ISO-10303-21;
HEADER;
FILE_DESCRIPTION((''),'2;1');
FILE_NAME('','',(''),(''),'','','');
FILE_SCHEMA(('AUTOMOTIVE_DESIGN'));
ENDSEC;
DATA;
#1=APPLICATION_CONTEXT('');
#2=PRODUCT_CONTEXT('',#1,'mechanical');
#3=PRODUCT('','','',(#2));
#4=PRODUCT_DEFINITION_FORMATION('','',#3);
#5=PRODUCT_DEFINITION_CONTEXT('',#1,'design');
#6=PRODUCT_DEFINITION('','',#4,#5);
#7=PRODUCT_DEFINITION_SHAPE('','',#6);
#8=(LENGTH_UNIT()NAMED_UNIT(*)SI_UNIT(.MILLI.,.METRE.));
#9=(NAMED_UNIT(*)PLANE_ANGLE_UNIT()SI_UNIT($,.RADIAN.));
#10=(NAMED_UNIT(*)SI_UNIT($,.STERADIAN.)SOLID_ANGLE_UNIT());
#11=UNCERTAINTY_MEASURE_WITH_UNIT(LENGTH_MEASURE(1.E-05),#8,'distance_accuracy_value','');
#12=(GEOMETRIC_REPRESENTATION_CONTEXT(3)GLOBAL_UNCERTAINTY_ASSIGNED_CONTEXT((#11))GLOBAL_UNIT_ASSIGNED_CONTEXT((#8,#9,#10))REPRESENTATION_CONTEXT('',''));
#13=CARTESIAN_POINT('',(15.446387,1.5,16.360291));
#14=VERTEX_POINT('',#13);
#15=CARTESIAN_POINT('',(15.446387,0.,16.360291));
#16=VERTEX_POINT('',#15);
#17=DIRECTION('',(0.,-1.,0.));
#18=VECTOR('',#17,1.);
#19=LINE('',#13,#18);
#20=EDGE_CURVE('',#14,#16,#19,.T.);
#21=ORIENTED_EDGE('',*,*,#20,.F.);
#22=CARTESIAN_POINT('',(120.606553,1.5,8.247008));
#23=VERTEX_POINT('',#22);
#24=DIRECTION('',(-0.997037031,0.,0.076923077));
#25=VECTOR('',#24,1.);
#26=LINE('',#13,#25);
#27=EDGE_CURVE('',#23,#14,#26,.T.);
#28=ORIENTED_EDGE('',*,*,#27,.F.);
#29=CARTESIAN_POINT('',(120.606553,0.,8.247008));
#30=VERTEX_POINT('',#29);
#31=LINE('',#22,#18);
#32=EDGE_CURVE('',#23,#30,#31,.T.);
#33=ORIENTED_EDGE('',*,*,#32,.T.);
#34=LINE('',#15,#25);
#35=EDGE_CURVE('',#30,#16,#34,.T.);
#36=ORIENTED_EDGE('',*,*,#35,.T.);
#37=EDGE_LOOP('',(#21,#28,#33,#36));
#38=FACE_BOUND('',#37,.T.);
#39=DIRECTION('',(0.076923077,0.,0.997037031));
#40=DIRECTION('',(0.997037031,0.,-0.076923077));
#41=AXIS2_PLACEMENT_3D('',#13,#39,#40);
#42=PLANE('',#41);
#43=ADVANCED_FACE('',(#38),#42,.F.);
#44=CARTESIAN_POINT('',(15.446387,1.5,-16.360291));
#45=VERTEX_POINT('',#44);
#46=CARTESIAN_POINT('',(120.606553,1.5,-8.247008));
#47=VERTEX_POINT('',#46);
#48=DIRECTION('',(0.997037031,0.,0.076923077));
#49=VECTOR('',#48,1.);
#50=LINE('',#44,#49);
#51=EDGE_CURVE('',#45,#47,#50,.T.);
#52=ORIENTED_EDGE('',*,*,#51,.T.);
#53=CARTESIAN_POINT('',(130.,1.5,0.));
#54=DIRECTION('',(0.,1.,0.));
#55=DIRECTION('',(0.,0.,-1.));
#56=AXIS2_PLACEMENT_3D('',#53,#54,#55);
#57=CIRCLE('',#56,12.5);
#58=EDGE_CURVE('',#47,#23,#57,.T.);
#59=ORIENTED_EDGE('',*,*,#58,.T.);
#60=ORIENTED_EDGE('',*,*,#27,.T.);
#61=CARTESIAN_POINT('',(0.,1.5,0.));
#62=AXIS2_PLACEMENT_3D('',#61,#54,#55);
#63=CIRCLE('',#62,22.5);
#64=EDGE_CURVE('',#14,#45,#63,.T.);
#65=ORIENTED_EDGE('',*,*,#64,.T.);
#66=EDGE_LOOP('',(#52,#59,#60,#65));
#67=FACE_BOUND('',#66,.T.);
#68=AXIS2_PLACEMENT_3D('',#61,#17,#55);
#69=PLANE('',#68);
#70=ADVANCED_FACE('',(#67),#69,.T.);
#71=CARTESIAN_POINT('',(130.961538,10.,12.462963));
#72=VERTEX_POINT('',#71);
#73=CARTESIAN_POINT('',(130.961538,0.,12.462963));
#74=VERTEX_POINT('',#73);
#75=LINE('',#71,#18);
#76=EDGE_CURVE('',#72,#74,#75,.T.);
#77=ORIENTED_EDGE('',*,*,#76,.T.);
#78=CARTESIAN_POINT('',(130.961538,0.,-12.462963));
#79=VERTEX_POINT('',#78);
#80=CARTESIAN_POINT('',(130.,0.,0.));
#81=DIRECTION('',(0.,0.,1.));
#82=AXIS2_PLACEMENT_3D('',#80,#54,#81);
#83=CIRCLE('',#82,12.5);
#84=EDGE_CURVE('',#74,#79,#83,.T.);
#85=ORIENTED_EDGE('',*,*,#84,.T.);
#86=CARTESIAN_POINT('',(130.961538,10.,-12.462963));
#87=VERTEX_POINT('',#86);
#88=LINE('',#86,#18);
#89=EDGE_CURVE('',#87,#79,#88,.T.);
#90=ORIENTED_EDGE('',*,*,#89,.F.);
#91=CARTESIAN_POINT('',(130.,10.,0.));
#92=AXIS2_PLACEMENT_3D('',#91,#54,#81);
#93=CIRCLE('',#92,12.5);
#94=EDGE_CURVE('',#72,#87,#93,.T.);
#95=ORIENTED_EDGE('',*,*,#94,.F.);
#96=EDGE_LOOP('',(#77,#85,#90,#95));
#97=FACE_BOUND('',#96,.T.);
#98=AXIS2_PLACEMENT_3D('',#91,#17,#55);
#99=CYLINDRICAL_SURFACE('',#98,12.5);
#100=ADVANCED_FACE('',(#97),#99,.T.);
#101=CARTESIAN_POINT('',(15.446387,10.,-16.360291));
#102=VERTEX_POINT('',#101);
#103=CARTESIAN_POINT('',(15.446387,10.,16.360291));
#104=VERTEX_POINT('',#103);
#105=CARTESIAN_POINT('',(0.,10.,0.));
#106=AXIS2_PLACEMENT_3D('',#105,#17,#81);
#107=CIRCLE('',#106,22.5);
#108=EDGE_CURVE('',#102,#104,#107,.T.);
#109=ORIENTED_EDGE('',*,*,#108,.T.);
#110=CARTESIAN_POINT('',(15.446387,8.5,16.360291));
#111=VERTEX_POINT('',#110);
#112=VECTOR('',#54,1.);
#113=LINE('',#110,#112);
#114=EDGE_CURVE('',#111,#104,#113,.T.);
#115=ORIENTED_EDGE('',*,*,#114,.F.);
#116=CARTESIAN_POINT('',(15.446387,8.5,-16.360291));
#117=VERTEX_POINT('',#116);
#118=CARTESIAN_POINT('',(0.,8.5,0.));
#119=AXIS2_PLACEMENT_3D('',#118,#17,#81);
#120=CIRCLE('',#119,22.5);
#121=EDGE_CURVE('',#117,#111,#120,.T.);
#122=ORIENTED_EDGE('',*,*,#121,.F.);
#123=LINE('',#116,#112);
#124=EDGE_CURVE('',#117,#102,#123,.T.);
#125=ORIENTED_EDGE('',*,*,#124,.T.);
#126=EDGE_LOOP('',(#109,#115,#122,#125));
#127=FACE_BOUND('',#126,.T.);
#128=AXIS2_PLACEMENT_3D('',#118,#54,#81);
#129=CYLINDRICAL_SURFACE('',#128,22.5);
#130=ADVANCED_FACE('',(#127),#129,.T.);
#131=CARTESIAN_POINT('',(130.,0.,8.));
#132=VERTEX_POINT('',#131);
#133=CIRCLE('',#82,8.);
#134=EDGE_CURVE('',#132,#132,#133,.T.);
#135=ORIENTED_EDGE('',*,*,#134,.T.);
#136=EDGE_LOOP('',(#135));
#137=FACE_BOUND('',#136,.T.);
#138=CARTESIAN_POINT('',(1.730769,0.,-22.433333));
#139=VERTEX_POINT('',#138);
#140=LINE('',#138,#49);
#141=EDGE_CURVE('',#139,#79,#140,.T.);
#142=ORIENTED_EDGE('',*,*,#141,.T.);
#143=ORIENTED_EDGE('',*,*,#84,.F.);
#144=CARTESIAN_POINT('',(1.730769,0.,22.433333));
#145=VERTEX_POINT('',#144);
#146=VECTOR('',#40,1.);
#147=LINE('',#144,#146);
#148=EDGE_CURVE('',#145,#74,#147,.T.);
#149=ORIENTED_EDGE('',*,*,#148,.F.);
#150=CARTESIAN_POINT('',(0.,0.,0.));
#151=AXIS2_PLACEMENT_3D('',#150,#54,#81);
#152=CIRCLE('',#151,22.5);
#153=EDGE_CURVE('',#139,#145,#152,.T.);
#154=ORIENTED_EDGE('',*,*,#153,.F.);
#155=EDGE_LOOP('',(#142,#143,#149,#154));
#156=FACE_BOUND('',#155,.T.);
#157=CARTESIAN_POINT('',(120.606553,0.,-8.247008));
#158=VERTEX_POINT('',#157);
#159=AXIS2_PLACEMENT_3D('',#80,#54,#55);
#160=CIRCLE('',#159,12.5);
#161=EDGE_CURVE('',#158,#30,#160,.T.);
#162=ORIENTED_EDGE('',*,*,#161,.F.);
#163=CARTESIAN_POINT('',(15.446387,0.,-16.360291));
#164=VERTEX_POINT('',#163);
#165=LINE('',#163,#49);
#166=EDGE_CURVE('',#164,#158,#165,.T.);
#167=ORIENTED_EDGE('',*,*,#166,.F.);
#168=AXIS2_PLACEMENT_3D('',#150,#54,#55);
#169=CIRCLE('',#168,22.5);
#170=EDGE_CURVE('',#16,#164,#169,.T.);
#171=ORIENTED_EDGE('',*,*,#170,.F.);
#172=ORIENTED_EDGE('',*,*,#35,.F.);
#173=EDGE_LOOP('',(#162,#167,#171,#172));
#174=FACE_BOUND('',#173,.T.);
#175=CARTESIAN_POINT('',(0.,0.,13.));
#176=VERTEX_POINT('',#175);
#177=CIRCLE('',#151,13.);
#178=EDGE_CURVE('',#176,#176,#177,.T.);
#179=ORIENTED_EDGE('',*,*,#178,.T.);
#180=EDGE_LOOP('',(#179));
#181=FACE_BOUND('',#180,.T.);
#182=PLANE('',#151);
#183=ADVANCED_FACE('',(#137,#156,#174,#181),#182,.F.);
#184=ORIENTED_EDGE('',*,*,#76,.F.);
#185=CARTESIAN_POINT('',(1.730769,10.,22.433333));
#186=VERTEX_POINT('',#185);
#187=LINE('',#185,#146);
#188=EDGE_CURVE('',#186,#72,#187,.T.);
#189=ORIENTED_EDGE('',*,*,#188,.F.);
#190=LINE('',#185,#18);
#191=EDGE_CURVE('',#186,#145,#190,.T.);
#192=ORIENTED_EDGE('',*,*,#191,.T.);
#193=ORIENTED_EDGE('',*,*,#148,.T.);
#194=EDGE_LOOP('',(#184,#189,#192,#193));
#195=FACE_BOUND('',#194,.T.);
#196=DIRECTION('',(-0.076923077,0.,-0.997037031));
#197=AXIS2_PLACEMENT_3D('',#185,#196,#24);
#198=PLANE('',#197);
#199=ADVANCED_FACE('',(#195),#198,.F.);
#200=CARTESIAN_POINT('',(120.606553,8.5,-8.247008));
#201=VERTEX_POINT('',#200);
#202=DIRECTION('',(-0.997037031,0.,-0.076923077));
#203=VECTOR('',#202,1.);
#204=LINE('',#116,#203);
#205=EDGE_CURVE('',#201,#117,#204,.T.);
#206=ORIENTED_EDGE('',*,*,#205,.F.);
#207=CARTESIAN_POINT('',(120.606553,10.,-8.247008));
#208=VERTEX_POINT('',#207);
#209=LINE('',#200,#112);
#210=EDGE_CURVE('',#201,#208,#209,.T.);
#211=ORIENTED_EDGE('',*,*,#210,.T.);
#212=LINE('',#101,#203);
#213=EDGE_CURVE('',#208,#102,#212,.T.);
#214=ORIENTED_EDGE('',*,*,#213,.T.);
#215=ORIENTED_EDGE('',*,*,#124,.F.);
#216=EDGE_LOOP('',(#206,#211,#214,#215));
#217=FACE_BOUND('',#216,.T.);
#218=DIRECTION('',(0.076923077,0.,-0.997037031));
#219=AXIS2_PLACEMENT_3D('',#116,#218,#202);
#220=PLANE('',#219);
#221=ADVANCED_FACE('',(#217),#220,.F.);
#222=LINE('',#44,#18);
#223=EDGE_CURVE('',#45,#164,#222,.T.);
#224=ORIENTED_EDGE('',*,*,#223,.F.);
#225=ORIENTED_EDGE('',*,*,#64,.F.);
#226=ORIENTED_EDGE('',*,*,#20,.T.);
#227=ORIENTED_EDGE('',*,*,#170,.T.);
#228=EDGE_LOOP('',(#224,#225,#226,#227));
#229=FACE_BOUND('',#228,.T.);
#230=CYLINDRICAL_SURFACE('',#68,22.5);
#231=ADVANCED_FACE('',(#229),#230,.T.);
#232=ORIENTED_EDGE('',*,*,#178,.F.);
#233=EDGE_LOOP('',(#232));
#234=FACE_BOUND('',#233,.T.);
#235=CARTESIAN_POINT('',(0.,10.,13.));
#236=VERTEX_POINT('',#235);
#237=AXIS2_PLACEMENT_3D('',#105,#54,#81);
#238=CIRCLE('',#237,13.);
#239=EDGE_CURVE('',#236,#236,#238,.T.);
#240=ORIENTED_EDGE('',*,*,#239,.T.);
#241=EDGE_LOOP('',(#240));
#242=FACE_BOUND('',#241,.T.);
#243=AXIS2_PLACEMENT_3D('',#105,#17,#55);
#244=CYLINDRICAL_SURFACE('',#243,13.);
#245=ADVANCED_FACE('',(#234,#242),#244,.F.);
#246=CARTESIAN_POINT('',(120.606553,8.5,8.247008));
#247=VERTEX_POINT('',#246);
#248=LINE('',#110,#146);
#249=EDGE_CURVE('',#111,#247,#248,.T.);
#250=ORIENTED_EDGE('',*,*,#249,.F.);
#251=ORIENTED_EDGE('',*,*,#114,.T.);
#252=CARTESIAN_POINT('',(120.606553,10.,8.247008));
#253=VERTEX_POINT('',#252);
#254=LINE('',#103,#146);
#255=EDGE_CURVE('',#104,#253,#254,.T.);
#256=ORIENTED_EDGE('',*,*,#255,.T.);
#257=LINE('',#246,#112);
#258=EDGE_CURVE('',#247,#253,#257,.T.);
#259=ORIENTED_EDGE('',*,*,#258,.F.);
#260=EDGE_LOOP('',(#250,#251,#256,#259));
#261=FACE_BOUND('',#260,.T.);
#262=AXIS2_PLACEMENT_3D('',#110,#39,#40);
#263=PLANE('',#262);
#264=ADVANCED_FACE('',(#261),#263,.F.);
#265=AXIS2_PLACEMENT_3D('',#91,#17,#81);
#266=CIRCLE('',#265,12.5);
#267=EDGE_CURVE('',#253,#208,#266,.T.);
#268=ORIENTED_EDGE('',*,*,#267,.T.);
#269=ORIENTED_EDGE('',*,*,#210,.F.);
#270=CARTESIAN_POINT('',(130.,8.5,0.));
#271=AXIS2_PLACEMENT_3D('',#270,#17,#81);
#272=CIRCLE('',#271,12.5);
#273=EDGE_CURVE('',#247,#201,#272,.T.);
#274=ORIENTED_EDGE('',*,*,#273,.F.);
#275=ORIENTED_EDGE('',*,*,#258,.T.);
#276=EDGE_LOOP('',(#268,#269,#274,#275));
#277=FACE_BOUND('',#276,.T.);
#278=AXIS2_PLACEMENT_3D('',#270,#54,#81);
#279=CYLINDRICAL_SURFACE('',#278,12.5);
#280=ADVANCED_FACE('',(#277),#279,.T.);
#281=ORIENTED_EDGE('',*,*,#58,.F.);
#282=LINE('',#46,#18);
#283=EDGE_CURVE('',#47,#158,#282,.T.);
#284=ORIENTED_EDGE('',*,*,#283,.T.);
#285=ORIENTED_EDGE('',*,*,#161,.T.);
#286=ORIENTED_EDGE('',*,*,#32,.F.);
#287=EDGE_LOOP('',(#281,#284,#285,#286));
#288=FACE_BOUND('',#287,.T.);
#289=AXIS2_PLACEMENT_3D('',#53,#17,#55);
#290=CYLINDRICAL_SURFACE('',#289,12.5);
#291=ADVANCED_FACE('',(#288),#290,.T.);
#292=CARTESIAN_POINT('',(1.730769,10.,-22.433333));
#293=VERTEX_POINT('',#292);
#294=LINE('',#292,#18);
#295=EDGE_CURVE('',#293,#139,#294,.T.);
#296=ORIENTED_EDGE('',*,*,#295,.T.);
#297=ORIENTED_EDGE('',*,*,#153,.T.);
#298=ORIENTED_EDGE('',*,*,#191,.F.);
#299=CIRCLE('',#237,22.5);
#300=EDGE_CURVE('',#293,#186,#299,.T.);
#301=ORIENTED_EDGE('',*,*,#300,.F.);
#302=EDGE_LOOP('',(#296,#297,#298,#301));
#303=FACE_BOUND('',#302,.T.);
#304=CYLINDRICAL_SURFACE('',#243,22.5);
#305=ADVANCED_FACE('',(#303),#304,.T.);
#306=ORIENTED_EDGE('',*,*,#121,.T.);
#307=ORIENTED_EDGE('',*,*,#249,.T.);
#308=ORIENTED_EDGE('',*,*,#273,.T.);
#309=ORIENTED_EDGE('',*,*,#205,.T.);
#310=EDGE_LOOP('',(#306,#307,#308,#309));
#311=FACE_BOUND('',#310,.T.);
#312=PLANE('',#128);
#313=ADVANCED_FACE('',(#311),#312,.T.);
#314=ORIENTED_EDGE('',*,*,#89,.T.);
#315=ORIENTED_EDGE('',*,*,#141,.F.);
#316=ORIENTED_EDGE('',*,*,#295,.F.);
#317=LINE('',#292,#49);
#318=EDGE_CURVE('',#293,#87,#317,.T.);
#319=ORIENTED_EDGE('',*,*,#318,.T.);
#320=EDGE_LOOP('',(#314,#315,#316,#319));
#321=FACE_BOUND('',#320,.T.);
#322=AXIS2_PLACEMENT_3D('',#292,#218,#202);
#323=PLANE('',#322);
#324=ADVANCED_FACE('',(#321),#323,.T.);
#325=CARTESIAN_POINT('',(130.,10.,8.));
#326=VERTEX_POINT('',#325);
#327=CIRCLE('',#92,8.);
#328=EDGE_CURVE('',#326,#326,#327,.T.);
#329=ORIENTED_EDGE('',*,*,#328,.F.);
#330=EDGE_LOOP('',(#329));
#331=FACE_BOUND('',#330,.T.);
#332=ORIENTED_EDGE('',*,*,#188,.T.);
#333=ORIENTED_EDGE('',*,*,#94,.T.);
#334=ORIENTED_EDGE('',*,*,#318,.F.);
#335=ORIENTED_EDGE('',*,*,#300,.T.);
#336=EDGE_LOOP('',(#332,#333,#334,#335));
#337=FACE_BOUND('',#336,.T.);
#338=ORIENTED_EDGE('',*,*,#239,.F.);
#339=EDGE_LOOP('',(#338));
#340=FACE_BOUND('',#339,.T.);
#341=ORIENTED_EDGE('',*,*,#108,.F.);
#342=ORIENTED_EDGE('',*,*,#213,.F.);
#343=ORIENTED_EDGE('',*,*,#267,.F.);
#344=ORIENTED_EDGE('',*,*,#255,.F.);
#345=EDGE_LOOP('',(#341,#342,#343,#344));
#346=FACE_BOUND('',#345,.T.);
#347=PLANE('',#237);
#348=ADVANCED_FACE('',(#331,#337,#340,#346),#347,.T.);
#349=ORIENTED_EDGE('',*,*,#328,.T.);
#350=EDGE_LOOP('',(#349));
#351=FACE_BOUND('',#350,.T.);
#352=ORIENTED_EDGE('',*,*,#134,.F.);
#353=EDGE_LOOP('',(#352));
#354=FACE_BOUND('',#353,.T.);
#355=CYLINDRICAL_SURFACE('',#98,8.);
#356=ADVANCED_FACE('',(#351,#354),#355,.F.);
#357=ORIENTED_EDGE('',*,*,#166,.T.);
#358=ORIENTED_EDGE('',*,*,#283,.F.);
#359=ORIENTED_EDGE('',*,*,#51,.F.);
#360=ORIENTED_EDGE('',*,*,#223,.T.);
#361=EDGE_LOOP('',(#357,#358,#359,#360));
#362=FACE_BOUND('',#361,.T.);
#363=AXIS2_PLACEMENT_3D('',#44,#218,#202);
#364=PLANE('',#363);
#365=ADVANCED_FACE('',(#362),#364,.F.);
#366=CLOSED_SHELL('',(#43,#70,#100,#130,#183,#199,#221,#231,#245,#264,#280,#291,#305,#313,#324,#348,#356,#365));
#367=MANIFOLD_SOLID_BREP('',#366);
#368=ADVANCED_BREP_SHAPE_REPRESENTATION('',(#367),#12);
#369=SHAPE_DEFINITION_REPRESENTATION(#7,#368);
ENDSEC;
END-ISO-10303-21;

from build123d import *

# Parameters (mm, degrees)
SKETCH1_R           = 13
SKETCH1_R_2         = 8
BOSS_EXTRUDE2_DEPTH = 10
CUT_EXTRUDE1_START  = -1.5
CUT_EXTRUDE1_DEPTH  = 1.5
CUT_EXTRUDE2_DEPTH  = 1.5


with BuildPart() as part:
    # Sketch1 → Boss-Extrude2 (new body)
    with BuildSketch(Plane(origin=(0, 0, 0), x_dir=(1, 0, 0), z_dir=(0, 1, 0))):
        with BuildLine():
            ThreePointArc((1.730769231, 22.433333187), (-22.5, 0), (1.730769231, -22.433333187))
            Line((1.730769231, -22.433333187), (130.961538462, -12.462962882))
            ThreePointArc((130.961538462, -12.462962882), (142.5, 0), (130.961538462, 12.462962882))
            Line((130.961538462, 12.462962882), (1.730769231, 22.433333187))
        make_face()
        with Locations(Location((0, 0, 0), (0, 0, 270))):
            Circle(SKETCH1_R, mode=Mode.SUBTRACT)
        with Locations(Location((130, 0, 0), (0, 0, 270))):
            Circle(SKETCH1_R_2, mode=Mode.SUBTRACT)
    extrude(amount=BOSS_EXTRUDE2_DEPTH)

    # Sketch3 → Cut-Extrude1 (cut)
    with BuildSketch(Plane(origin=(0, 10, 0), x_dir=(1, 0, 0), z_dir=(0, 1, 0)).offset(CUT_EXTRUDE1_START)):
        with BuildLine():
            Line((15.446386754, 16.360291448), (120.606552772, 8.247008498))
            ThreePointArc((120.606552772, 8.247008498), (117.5, 0), (120.606552772, -8.247008498))
            Line((120.606552772, -8.247008498), (15.446386754, -16.360291448))
            ThreePointArc((15.446386754, -16.360291448), (22.5, 0), (15.446386754, 16.360291448))
        make_face()
    extrude(amount=CUT_EXTRUDE1_DEPTH, mode=Mode.SUBTRACT)

    # Sketch5 → Cut-Extrude2 (cut)
    with BuildSketch(Plane.XZ):
        with BuildLine():
            Line((15.446386754, 16.360291448), (120.606552772, 8.247008498))
            ThreePointArc((120.606552772, 8.247008498), (117.5, 0), (120.606552772, -8.247008498))
            Line((120.606552772, -8.247008498), (15.446386754, -16.360291448))
            ThreePointArc((15.446386754, -16.360291448), (22.5, 0), (15.446386754, 16.360291448))
        make_face()
    extrude(amount=-CUT_EXTRUDE2_DEPTH, mode=Mode.SUBTRACT)


solid = part.part
